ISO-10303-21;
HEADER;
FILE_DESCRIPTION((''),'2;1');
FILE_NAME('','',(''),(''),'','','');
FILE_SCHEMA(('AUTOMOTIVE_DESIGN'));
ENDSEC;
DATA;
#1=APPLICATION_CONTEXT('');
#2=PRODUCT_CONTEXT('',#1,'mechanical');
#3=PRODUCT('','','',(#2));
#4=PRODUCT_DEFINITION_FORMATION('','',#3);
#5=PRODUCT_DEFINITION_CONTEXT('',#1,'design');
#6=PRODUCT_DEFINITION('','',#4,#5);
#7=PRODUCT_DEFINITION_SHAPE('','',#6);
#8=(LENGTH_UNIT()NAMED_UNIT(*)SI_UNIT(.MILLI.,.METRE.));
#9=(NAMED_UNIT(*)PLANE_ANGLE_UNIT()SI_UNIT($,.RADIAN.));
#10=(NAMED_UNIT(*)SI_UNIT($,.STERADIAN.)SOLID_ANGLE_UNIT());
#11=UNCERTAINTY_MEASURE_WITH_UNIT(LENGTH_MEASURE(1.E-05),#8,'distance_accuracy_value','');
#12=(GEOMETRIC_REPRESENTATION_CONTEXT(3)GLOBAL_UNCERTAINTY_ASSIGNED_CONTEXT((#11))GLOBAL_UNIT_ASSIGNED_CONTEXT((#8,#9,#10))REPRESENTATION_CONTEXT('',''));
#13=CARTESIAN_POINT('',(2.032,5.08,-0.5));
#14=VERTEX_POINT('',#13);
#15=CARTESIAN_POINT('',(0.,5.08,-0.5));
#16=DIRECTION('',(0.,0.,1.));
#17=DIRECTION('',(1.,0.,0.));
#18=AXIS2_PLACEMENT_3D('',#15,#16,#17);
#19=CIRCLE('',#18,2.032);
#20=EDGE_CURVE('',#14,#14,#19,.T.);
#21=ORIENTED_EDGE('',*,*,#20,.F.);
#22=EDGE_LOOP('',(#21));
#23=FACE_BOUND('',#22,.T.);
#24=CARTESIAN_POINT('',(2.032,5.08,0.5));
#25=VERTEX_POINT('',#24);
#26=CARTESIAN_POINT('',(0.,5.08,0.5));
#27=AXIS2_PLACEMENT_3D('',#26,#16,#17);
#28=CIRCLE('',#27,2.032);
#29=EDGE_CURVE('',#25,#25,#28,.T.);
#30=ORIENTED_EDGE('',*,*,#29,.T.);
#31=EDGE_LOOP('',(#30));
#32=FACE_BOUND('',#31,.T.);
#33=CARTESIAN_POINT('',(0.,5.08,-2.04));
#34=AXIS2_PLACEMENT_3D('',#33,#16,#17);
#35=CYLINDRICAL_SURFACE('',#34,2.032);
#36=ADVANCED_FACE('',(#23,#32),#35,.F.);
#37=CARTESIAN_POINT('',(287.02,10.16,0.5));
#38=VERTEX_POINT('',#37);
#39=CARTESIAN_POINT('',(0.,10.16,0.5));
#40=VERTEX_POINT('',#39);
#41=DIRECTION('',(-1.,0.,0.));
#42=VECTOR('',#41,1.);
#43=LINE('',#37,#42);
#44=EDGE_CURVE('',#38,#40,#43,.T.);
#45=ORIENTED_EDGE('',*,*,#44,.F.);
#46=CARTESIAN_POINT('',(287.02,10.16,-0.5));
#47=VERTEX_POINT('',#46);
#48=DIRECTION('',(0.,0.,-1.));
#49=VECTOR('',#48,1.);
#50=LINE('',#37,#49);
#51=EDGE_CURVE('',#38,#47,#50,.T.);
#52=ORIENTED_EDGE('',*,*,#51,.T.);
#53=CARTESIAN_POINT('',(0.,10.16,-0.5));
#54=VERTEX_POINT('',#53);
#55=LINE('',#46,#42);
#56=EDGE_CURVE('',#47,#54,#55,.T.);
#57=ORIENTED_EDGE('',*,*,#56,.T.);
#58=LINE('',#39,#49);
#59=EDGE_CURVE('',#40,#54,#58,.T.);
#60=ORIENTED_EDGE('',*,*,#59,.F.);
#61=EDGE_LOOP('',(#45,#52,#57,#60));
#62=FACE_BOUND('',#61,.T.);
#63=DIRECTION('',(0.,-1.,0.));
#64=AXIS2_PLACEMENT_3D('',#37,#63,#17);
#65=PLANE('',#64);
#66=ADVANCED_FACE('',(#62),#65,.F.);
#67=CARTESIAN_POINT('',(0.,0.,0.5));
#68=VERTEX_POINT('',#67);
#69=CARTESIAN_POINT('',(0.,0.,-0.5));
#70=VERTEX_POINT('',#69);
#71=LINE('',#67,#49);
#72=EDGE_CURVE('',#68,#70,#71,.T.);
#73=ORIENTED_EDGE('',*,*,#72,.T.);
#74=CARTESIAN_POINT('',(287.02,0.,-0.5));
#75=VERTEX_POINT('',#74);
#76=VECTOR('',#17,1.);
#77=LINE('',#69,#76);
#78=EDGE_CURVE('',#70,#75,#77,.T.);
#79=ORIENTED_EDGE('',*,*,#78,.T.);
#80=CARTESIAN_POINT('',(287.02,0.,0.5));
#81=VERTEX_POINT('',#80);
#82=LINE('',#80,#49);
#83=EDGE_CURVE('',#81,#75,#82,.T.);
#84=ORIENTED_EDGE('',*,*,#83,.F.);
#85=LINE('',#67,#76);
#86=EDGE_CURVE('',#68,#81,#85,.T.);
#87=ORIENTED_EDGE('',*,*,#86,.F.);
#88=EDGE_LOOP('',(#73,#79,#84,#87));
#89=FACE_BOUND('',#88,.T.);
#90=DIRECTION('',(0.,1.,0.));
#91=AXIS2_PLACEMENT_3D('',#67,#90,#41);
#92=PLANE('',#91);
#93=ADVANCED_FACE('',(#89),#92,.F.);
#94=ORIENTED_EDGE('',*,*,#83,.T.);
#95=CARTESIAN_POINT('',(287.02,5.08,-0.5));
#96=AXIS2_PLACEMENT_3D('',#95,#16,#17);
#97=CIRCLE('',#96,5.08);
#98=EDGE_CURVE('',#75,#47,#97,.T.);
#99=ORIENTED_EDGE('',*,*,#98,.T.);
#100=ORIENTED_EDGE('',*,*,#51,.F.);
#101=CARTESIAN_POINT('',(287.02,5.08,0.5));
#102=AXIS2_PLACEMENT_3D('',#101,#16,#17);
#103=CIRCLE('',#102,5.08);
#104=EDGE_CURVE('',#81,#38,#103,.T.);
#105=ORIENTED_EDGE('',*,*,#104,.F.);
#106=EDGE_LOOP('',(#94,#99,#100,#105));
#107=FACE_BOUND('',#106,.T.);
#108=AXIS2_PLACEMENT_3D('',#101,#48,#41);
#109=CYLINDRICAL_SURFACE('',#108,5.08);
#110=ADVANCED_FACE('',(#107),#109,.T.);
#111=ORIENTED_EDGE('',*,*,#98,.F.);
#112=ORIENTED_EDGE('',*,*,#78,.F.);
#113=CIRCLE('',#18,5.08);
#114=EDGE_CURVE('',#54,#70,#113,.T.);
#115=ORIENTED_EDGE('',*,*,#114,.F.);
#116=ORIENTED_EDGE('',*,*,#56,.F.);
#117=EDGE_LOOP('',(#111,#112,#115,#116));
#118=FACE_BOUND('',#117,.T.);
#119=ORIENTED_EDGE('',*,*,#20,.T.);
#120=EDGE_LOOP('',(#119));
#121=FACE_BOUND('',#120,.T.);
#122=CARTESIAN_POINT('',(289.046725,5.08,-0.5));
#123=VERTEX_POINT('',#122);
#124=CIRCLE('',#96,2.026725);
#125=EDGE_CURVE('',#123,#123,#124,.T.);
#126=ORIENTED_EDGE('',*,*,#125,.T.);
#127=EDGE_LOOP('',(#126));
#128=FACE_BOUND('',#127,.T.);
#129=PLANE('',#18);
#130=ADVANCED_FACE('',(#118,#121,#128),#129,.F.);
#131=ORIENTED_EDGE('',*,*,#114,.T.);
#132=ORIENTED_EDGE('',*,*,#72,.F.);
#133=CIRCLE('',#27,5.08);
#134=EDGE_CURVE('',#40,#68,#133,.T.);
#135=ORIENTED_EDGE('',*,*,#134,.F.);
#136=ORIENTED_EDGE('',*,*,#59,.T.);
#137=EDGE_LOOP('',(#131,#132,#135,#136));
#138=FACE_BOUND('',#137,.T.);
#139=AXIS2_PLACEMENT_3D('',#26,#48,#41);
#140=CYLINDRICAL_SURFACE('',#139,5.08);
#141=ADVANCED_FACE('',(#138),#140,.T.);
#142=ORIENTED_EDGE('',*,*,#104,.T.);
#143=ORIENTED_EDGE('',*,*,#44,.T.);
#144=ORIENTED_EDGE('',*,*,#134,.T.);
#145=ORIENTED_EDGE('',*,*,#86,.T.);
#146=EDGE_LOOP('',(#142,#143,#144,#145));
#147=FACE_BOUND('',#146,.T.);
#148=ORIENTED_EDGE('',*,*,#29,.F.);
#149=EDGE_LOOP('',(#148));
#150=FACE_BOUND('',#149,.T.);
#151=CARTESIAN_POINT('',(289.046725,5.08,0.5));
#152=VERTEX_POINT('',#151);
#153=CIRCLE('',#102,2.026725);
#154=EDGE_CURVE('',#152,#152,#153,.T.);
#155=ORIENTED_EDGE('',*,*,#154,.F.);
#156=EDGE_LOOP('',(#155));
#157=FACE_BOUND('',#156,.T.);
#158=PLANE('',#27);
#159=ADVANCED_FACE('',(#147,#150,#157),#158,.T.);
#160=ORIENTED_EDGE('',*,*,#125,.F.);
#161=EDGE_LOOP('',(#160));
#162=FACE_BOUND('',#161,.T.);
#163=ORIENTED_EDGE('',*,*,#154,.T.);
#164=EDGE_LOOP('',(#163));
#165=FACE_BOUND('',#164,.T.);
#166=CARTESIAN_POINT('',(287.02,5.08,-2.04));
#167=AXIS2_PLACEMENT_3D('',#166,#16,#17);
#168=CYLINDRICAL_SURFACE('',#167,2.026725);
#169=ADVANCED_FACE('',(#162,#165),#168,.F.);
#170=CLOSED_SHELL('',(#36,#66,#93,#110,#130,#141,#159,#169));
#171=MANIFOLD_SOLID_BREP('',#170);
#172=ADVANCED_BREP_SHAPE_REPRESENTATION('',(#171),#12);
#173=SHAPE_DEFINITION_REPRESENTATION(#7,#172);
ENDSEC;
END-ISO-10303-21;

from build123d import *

# Parameters (mm, degrees)
BOSS_EXTRUDE1_DEPTH = 0.5
SKETCH2_R           = 2.032
SKETCH2_R_2         = 2.026725148
CUT_EXTRUDE1_DEPTH  = 2.54


with BuildPart() as part:
    # Sketch1 → Boss-Extrude1 (new, symmetric)
    with BuildSketch(Plane.XY):
        with BuildLine():
            Line((0, 0), (287.02, 0))
            ThreePointArc((287.02, 0), (292.1, 5.08), (287.02, 10.16))
            Line((287.02, 10.16), (0, 10.16))
            ThreePointArc((0, 10.16), (-5.08, 5.08), (0, 0))
        make_face()
    extrude(amount=BOSS_EXTRUDE1_DEPTH, both=True)

    # Sketch2 → Cut-Extrude1 (cut)
    with BuildSketch(Plane.XY.offset(0.5)):
        with Locations((0, 5.08)):
            Circle(SKETCH2_R)
        with Locations((287.02, 5.08)):
            Circle(SKETCH2_R_2)
    extrude(amount=-CUT_EXTRUDE1_DEPTH, mode=Mode.SUBTRACT)


solid = part.part
